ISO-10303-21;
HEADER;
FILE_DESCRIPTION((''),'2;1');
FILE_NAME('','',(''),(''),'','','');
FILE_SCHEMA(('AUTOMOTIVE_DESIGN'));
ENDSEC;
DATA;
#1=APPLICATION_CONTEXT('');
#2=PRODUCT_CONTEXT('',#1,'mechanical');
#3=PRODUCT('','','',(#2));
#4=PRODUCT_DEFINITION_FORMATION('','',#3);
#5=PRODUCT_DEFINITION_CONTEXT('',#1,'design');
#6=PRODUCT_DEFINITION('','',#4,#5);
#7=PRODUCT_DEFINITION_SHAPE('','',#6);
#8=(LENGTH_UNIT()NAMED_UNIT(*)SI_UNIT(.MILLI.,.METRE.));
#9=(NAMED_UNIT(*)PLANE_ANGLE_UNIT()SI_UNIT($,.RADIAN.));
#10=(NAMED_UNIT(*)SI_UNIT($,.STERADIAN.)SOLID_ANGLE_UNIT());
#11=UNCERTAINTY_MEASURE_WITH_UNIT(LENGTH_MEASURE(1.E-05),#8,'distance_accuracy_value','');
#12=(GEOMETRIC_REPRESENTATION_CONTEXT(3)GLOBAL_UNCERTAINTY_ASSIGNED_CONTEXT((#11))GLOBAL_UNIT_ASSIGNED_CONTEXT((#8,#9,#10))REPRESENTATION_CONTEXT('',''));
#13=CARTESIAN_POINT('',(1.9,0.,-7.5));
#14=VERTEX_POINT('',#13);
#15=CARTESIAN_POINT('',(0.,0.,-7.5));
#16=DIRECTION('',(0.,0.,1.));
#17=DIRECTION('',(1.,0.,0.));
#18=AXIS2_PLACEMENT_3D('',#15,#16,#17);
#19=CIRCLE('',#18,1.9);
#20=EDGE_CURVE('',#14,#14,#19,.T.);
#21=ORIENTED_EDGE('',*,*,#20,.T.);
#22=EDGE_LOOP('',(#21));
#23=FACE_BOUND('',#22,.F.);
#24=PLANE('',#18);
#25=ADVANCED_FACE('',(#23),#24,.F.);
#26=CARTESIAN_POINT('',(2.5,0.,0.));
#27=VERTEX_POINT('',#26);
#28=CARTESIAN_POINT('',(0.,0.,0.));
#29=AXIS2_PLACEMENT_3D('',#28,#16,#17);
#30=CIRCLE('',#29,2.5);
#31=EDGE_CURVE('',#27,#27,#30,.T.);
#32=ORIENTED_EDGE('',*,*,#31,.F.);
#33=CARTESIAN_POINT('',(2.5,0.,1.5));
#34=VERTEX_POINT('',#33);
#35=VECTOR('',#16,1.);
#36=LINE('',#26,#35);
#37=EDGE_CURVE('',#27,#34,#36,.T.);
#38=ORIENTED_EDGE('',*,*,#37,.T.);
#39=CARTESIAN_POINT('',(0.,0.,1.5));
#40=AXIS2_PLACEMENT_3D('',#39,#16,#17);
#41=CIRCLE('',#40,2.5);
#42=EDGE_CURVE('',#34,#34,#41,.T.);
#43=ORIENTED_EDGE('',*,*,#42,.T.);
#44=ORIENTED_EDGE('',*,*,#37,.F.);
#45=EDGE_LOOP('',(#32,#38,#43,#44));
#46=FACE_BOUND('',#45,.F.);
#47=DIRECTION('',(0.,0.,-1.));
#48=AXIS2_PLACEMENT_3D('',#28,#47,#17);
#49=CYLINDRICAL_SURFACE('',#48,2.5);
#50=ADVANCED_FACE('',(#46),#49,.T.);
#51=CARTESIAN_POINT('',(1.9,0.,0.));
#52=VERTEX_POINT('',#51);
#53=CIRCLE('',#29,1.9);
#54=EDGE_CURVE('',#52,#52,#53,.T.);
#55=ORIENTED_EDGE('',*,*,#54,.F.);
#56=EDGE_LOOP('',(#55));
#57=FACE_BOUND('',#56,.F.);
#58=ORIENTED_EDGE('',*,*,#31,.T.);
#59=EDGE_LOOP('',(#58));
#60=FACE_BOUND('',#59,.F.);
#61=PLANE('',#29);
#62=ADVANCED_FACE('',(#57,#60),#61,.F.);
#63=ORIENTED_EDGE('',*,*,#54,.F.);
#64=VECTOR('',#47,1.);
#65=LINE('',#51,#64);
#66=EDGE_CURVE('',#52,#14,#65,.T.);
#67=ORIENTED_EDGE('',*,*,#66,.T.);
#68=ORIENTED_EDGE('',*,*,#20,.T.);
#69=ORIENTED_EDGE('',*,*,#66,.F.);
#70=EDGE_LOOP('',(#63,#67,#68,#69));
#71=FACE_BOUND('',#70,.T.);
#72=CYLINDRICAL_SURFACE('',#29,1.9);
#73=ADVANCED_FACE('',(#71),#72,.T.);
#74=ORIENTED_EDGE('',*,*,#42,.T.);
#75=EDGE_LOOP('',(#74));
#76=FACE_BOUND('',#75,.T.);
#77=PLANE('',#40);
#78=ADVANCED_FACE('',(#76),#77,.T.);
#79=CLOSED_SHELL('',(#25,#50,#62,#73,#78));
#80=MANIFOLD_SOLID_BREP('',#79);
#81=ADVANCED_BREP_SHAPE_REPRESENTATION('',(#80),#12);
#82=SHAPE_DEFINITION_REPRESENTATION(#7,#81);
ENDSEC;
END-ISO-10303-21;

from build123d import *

# Parameters (mm, degrees)
F0_R     = 1.9
F1_DEPTH = 7.5
F0_R_2   = 2.5
F2_DEPTH = 1.5


with BuildPart() as f1:
    # F0 (on Top) → F1 (new body)
    with BuildSketch(Plane.XY):
        Circle(F0_R)
    extrude(amount=-F1_DEPTH)

    # F0 (on Top) → F2 (join)
    with BuildSketch(Plane.XY):
        Circle(F0_R_2)
        Circle(F0_R, mode=Mode.SUBTRACT)
        Circle(F0_R)
    extrude(amount=F2_DEPTH)


solid = f1.part
